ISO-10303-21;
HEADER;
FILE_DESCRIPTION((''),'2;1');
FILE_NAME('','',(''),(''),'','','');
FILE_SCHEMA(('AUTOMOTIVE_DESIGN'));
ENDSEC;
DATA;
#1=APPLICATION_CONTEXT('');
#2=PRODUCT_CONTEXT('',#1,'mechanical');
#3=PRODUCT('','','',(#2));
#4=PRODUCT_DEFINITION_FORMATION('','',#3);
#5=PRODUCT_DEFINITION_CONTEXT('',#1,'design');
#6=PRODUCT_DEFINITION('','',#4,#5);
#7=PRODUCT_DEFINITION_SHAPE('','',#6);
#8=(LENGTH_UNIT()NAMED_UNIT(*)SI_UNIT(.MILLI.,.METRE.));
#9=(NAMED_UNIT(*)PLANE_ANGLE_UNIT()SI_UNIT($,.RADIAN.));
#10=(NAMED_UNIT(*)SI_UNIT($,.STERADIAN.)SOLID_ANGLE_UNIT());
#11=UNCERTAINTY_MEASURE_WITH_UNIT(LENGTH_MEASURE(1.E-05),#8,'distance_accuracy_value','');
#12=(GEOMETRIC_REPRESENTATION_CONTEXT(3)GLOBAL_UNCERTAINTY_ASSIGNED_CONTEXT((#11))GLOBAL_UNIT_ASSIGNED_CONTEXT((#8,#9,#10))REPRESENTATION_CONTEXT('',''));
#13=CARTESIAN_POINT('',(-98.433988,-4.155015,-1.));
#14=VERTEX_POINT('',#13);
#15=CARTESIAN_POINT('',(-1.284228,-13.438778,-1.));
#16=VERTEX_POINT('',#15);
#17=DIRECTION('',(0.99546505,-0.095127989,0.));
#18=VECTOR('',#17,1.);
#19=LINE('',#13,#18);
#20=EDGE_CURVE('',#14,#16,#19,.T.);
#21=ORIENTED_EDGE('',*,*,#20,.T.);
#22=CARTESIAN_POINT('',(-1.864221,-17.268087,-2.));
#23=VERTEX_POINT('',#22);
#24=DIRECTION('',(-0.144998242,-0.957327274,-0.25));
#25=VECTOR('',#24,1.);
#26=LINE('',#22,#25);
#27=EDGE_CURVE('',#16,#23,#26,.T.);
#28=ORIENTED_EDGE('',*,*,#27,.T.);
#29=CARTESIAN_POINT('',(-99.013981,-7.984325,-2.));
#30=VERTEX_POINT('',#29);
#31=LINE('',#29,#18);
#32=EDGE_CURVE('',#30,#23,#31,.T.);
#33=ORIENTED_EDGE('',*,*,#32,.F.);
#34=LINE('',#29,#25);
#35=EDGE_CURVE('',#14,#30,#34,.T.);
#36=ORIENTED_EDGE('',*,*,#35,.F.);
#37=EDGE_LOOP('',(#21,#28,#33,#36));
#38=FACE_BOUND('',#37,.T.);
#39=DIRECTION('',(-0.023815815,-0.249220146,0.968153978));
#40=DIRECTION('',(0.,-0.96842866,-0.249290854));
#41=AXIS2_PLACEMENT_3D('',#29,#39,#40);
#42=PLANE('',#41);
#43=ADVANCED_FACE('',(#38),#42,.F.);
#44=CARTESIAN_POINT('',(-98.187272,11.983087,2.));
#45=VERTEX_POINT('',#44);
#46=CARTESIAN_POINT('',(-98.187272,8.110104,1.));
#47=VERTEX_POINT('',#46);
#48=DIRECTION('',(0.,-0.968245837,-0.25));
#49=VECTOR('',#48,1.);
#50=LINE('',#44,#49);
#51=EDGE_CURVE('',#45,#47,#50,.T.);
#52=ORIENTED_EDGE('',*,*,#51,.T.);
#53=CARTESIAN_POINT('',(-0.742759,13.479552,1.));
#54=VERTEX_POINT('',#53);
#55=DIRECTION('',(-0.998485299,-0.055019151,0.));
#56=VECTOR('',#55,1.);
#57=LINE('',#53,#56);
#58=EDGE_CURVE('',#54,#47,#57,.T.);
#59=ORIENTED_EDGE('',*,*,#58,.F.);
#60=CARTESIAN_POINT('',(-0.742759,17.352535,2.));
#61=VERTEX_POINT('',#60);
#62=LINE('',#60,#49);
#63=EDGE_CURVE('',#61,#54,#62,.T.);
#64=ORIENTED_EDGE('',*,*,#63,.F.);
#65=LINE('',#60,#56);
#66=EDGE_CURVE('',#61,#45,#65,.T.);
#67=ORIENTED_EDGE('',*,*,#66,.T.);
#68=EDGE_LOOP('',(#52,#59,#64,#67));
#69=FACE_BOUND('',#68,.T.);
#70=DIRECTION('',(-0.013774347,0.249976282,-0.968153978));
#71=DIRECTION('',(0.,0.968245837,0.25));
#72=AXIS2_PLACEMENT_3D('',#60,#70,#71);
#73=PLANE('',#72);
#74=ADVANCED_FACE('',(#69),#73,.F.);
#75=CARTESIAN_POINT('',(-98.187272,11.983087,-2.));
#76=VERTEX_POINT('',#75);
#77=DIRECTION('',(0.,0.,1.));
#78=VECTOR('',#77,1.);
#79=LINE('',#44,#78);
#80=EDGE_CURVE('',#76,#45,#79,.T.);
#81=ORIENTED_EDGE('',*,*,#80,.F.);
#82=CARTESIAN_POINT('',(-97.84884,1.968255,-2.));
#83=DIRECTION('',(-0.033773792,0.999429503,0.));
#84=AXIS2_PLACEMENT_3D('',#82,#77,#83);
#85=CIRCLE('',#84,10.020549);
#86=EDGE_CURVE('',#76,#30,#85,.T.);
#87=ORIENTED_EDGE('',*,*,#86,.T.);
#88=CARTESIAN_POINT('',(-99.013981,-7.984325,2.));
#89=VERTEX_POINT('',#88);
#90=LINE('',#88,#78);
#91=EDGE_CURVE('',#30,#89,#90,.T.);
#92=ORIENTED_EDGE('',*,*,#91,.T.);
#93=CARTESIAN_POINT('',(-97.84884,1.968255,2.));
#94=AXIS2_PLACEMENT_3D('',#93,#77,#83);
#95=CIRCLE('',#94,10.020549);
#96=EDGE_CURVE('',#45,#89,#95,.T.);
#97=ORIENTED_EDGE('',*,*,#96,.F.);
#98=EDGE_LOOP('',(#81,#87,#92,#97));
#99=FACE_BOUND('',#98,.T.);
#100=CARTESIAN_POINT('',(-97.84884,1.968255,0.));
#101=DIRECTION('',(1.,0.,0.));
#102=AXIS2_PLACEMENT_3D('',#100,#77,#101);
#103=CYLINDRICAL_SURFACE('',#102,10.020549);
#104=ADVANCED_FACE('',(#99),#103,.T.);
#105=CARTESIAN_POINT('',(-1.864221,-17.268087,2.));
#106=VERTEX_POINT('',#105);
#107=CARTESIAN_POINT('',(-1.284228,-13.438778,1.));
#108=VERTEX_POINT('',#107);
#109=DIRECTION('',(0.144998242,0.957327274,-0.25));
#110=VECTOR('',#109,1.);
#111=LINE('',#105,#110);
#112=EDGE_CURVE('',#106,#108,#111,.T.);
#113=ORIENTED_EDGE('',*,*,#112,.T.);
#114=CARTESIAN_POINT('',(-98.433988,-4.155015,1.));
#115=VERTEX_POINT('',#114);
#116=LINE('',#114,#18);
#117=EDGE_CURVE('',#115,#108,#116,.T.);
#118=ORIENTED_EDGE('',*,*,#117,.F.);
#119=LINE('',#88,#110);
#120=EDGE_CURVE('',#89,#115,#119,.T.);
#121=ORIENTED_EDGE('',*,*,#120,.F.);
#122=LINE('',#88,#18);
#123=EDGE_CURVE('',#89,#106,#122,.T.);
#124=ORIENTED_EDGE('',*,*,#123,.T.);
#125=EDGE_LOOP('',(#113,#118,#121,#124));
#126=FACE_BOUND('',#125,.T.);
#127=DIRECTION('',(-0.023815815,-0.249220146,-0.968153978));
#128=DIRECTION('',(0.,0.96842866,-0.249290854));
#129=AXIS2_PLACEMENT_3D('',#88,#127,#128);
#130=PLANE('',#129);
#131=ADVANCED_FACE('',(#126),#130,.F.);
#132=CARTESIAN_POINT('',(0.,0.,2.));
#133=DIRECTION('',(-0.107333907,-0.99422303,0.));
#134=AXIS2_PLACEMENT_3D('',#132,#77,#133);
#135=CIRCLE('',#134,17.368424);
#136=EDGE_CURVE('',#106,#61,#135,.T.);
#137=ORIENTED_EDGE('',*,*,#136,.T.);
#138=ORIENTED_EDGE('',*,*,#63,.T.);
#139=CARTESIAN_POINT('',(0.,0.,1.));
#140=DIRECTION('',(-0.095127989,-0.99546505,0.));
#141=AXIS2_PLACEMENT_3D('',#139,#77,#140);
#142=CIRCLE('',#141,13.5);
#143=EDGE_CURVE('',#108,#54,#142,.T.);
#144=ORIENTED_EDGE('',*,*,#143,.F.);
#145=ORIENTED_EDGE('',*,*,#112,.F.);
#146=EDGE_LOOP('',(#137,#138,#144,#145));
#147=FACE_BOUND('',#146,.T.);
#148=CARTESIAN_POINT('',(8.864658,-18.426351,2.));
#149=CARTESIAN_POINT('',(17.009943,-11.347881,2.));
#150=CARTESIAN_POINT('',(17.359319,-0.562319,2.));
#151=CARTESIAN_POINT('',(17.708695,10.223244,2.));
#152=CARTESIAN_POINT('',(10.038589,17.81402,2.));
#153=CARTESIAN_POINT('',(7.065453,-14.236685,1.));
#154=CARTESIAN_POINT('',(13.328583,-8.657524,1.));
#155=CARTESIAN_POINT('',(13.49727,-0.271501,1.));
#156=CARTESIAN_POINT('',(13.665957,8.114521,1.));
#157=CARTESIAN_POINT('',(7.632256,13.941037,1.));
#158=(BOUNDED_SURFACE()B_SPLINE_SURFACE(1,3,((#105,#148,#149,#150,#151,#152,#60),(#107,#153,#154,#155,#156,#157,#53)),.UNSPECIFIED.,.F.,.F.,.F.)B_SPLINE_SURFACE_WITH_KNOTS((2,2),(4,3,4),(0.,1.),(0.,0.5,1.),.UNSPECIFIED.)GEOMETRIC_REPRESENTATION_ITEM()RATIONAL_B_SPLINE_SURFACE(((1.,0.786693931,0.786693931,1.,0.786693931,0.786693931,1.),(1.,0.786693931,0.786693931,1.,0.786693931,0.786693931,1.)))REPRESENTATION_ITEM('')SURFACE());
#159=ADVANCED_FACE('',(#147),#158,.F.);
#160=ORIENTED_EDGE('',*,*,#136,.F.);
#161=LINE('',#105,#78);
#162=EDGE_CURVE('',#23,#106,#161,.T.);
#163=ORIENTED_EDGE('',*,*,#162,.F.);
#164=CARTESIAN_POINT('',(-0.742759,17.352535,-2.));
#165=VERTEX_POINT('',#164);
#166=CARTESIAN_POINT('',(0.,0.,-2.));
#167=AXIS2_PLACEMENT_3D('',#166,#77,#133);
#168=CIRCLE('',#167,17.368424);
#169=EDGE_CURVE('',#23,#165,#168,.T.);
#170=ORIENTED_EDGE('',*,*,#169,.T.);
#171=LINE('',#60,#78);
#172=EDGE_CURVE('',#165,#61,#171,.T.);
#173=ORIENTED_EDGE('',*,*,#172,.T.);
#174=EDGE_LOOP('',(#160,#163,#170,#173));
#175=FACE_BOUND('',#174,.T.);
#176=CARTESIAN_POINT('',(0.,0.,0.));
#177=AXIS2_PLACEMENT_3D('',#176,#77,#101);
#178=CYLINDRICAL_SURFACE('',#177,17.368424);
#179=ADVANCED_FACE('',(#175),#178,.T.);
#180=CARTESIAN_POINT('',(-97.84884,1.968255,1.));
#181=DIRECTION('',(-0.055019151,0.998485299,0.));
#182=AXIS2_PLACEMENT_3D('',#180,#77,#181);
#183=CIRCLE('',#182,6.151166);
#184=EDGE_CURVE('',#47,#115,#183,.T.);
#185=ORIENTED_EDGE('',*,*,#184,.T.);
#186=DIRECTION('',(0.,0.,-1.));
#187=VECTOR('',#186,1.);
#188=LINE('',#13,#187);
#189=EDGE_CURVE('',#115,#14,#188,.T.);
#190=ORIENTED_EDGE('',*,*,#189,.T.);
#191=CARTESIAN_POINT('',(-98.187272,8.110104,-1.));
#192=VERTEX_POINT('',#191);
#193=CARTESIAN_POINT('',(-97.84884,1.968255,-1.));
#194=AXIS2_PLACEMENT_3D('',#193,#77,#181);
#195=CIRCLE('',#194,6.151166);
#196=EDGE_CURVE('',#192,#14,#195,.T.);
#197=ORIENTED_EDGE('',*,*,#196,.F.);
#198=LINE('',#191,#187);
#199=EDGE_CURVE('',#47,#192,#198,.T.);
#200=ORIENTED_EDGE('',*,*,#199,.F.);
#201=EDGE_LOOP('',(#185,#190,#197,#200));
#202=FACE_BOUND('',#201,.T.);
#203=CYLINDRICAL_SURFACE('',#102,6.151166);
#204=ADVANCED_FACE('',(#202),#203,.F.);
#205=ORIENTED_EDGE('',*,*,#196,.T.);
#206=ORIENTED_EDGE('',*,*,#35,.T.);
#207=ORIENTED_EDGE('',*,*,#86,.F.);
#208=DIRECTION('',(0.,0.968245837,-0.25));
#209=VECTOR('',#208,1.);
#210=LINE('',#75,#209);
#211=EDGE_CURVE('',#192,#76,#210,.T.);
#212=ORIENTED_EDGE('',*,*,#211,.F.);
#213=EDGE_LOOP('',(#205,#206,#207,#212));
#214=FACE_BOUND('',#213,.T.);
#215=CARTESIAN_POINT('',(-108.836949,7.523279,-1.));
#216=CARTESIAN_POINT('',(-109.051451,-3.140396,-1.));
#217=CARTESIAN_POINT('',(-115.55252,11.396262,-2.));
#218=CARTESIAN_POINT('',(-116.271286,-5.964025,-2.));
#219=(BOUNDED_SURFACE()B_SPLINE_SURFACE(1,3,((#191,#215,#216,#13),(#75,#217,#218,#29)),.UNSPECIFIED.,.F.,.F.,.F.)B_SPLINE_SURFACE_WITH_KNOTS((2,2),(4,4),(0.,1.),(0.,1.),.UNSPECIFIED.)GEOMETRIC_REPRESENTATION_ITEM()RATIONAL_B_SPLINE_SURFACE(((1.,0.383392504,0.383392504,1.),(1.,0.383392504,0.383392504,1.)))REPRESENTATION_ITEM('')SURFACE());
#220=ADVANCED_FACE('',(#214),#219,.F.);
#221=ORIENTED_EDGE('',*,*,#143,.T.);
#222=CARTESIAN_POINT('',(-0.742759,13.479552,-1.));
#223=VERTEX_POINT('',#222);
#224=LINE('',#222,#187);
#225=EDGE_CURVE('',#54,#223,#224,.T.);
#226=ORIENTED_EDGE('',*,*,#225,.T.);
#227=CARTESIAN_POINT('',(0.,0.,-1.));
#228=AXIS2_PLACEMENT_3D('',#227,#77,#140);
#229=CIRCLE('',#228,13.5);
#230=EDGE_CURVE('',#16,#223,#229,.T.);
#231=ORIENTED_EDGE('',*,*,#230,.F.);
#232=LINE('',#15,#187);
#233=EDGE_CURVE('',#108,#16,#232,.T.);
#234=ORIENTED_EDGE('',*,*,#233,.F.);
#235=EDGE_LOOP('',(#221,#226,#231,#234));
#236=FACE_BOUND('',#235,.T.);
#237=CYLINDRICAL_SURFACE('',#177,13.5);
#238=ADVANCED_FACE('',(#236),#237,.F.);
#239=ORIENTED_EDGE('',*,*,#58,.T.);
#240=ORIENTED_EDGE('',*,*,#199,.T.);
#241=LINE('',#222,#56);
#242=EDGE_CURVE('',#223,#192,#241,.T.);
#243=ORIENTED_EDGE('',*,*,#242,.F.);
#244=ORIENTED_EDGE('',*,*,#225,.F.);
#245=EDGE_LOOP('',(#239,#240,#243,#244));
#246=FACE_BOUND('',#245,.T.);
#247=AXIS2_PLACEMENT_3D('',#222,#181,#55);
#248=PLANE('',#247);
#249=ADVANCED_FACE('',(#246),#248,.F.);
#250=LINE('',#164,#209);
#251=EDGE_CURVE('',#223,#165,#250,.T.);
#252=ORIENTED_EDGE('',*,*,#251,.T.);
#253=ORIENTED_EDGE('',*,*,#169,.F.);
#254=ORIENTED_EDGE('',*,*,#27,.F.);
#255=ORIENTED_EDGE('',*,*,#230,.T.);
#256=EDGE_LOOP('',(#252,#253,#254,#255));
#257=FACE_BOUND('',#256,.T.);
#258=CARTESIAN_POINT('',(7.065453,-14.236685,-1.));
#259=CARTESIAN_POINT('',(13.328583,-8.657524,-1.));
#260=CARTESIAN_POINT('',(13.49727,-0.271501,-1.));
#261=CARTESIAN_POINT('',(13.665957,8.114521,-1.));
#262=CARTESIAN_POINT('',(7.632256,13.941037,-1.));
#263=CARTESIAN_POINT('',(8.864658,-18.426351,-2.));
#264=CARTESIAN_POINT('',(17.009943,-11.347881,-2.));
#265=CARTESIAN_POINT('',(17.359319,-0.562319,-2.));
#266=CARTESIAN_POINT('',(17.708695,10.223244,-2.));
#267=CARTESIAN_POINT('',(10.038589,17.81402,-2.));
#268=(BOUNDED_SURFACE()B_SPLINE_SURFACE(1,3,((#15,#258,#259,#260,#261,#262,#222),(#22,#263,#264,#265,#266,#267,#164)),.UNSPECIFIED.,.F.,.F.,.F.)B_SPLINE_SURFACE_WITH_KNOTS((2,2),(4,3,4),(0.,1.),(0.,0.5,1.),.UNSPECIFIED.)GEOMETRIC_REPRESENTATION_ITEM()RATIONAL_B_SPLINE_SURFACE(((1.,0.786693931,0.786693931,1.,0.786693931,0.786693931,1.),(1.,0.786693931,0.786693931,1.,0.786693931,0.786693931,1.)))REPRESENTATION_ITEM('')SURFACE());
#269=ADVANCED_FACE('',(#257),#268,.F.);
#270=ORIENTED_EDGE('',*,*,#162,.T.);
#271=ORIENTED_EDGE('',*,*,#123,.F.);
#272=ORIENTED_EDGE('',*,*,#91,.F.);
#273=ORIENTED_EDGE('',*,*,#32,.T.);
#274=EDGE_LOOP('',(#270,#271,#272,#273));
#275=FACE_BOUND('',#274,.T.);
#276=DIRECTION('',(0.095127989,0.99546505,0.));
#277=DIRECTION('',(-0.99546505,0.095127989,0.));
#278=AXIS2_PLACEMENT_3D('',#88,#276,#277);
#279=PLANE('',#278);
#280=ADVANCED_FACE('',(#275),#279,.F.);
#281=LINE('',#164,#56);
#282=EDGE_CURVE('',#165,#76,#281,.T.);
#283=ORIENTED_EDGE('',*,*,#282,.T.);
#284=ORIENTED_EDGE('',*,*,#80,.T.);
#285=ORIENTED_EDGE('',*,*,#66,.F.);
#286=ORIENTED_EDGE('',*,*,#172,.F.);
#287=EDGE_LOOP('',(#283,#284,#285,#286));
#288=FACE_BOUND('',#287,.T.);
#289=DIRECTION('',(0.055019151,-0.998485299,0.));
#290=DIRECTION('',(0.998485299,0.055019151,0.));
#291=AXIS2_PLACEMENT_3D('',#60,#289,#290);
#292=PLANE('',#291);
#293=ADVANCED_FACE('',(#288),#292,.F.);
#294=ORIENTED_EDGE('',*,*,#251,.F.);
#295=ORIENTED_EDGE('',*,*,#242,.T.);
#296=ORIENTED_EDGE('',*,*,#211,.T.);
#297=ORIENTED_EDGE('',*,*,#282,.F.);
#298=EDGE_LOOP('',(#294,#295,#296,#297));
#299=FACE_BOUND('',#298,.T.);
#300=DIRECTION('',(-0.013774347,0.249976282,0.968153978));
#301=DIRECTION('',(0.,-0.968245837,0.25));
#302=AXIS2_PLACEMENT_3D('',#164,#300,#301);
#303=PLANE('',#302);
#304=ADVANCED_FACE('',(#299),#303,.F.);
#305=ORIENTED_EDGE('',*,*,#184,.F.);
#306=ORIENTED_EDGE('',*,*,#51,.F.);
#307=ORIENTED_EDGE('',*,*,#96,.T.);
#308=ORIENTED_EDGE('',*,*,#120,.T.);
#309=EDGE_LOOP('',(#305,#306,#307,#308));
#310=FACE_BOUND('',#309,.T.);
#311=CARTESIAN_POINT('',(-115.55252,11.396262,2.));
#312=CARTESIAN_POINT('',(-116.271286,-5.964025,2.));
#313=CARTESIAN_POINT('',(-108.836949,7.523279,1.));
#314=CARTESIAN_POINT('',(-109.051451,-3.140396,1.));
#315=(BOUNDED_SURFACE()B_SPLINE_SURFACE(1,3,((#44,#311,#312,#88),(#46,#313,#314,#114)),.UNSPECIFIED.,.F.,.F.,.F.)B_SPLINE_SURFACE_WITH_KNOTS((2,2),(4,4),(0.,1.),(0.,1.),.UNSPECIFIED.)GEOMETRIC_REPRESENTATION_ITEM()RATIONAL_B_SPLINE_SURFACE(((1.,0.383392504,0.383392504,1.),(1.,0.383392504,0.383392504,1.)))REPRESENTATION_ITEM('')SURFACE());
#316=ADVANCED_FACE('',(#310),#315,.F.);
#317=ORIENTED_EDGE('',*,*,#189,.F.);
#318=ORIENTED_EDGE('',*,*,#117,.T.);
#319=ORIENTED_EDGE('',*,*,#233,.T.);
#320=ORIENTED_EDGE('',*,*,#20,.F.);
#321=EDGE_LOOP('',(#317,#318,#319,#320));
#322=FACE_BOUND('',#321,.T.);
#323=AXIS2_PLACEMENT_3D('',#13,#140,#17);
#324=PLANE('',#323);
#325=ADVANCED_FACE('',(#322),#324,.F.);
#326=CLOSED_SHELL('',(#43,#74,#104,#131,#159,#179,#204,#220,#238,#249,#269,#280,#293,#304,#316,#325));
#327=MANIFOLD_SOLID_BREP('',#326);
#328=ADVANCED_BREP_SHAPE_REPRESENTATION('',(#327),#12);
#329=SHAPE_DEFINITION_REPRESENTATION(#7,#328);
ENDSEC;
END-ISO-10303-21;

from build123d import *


with BuildPart() as part:
    # Sweep1: sweep along a path in Sketch2
    with BuildLine(Plane.XY) as sweep1_path:
        Line((-1.284227852, -13.438778175), (-98.433987772, -4.155015479))
        ThreePointArc((-98.433987772, -4.155015479), (-103.998761627, 2.091962576), (-98.18727165, 8.110104079))
        Line((-98.18727165, 8.110104079), (-0.742758535, 13.479551541))
        ThreePointArc((-0.742758535, 13.479551541), (13.497269618, -0.271501146), (-1.284227852, -13.438778175))
    # Sketch3 → Sweep1 (sweep)
    with BuildSketch(Plane(origin=(-0.742758535, 0, 0), x_dir=(0, 0, -1), z_dir=(1, 0, 0))):
        Polygon((-2, 17.352534888), (2, 17.352534888), (1, 13.479551541), (-1, 13.479551541), align=None)
    sweep(path=sweep1_path.line)


solid = part.part
